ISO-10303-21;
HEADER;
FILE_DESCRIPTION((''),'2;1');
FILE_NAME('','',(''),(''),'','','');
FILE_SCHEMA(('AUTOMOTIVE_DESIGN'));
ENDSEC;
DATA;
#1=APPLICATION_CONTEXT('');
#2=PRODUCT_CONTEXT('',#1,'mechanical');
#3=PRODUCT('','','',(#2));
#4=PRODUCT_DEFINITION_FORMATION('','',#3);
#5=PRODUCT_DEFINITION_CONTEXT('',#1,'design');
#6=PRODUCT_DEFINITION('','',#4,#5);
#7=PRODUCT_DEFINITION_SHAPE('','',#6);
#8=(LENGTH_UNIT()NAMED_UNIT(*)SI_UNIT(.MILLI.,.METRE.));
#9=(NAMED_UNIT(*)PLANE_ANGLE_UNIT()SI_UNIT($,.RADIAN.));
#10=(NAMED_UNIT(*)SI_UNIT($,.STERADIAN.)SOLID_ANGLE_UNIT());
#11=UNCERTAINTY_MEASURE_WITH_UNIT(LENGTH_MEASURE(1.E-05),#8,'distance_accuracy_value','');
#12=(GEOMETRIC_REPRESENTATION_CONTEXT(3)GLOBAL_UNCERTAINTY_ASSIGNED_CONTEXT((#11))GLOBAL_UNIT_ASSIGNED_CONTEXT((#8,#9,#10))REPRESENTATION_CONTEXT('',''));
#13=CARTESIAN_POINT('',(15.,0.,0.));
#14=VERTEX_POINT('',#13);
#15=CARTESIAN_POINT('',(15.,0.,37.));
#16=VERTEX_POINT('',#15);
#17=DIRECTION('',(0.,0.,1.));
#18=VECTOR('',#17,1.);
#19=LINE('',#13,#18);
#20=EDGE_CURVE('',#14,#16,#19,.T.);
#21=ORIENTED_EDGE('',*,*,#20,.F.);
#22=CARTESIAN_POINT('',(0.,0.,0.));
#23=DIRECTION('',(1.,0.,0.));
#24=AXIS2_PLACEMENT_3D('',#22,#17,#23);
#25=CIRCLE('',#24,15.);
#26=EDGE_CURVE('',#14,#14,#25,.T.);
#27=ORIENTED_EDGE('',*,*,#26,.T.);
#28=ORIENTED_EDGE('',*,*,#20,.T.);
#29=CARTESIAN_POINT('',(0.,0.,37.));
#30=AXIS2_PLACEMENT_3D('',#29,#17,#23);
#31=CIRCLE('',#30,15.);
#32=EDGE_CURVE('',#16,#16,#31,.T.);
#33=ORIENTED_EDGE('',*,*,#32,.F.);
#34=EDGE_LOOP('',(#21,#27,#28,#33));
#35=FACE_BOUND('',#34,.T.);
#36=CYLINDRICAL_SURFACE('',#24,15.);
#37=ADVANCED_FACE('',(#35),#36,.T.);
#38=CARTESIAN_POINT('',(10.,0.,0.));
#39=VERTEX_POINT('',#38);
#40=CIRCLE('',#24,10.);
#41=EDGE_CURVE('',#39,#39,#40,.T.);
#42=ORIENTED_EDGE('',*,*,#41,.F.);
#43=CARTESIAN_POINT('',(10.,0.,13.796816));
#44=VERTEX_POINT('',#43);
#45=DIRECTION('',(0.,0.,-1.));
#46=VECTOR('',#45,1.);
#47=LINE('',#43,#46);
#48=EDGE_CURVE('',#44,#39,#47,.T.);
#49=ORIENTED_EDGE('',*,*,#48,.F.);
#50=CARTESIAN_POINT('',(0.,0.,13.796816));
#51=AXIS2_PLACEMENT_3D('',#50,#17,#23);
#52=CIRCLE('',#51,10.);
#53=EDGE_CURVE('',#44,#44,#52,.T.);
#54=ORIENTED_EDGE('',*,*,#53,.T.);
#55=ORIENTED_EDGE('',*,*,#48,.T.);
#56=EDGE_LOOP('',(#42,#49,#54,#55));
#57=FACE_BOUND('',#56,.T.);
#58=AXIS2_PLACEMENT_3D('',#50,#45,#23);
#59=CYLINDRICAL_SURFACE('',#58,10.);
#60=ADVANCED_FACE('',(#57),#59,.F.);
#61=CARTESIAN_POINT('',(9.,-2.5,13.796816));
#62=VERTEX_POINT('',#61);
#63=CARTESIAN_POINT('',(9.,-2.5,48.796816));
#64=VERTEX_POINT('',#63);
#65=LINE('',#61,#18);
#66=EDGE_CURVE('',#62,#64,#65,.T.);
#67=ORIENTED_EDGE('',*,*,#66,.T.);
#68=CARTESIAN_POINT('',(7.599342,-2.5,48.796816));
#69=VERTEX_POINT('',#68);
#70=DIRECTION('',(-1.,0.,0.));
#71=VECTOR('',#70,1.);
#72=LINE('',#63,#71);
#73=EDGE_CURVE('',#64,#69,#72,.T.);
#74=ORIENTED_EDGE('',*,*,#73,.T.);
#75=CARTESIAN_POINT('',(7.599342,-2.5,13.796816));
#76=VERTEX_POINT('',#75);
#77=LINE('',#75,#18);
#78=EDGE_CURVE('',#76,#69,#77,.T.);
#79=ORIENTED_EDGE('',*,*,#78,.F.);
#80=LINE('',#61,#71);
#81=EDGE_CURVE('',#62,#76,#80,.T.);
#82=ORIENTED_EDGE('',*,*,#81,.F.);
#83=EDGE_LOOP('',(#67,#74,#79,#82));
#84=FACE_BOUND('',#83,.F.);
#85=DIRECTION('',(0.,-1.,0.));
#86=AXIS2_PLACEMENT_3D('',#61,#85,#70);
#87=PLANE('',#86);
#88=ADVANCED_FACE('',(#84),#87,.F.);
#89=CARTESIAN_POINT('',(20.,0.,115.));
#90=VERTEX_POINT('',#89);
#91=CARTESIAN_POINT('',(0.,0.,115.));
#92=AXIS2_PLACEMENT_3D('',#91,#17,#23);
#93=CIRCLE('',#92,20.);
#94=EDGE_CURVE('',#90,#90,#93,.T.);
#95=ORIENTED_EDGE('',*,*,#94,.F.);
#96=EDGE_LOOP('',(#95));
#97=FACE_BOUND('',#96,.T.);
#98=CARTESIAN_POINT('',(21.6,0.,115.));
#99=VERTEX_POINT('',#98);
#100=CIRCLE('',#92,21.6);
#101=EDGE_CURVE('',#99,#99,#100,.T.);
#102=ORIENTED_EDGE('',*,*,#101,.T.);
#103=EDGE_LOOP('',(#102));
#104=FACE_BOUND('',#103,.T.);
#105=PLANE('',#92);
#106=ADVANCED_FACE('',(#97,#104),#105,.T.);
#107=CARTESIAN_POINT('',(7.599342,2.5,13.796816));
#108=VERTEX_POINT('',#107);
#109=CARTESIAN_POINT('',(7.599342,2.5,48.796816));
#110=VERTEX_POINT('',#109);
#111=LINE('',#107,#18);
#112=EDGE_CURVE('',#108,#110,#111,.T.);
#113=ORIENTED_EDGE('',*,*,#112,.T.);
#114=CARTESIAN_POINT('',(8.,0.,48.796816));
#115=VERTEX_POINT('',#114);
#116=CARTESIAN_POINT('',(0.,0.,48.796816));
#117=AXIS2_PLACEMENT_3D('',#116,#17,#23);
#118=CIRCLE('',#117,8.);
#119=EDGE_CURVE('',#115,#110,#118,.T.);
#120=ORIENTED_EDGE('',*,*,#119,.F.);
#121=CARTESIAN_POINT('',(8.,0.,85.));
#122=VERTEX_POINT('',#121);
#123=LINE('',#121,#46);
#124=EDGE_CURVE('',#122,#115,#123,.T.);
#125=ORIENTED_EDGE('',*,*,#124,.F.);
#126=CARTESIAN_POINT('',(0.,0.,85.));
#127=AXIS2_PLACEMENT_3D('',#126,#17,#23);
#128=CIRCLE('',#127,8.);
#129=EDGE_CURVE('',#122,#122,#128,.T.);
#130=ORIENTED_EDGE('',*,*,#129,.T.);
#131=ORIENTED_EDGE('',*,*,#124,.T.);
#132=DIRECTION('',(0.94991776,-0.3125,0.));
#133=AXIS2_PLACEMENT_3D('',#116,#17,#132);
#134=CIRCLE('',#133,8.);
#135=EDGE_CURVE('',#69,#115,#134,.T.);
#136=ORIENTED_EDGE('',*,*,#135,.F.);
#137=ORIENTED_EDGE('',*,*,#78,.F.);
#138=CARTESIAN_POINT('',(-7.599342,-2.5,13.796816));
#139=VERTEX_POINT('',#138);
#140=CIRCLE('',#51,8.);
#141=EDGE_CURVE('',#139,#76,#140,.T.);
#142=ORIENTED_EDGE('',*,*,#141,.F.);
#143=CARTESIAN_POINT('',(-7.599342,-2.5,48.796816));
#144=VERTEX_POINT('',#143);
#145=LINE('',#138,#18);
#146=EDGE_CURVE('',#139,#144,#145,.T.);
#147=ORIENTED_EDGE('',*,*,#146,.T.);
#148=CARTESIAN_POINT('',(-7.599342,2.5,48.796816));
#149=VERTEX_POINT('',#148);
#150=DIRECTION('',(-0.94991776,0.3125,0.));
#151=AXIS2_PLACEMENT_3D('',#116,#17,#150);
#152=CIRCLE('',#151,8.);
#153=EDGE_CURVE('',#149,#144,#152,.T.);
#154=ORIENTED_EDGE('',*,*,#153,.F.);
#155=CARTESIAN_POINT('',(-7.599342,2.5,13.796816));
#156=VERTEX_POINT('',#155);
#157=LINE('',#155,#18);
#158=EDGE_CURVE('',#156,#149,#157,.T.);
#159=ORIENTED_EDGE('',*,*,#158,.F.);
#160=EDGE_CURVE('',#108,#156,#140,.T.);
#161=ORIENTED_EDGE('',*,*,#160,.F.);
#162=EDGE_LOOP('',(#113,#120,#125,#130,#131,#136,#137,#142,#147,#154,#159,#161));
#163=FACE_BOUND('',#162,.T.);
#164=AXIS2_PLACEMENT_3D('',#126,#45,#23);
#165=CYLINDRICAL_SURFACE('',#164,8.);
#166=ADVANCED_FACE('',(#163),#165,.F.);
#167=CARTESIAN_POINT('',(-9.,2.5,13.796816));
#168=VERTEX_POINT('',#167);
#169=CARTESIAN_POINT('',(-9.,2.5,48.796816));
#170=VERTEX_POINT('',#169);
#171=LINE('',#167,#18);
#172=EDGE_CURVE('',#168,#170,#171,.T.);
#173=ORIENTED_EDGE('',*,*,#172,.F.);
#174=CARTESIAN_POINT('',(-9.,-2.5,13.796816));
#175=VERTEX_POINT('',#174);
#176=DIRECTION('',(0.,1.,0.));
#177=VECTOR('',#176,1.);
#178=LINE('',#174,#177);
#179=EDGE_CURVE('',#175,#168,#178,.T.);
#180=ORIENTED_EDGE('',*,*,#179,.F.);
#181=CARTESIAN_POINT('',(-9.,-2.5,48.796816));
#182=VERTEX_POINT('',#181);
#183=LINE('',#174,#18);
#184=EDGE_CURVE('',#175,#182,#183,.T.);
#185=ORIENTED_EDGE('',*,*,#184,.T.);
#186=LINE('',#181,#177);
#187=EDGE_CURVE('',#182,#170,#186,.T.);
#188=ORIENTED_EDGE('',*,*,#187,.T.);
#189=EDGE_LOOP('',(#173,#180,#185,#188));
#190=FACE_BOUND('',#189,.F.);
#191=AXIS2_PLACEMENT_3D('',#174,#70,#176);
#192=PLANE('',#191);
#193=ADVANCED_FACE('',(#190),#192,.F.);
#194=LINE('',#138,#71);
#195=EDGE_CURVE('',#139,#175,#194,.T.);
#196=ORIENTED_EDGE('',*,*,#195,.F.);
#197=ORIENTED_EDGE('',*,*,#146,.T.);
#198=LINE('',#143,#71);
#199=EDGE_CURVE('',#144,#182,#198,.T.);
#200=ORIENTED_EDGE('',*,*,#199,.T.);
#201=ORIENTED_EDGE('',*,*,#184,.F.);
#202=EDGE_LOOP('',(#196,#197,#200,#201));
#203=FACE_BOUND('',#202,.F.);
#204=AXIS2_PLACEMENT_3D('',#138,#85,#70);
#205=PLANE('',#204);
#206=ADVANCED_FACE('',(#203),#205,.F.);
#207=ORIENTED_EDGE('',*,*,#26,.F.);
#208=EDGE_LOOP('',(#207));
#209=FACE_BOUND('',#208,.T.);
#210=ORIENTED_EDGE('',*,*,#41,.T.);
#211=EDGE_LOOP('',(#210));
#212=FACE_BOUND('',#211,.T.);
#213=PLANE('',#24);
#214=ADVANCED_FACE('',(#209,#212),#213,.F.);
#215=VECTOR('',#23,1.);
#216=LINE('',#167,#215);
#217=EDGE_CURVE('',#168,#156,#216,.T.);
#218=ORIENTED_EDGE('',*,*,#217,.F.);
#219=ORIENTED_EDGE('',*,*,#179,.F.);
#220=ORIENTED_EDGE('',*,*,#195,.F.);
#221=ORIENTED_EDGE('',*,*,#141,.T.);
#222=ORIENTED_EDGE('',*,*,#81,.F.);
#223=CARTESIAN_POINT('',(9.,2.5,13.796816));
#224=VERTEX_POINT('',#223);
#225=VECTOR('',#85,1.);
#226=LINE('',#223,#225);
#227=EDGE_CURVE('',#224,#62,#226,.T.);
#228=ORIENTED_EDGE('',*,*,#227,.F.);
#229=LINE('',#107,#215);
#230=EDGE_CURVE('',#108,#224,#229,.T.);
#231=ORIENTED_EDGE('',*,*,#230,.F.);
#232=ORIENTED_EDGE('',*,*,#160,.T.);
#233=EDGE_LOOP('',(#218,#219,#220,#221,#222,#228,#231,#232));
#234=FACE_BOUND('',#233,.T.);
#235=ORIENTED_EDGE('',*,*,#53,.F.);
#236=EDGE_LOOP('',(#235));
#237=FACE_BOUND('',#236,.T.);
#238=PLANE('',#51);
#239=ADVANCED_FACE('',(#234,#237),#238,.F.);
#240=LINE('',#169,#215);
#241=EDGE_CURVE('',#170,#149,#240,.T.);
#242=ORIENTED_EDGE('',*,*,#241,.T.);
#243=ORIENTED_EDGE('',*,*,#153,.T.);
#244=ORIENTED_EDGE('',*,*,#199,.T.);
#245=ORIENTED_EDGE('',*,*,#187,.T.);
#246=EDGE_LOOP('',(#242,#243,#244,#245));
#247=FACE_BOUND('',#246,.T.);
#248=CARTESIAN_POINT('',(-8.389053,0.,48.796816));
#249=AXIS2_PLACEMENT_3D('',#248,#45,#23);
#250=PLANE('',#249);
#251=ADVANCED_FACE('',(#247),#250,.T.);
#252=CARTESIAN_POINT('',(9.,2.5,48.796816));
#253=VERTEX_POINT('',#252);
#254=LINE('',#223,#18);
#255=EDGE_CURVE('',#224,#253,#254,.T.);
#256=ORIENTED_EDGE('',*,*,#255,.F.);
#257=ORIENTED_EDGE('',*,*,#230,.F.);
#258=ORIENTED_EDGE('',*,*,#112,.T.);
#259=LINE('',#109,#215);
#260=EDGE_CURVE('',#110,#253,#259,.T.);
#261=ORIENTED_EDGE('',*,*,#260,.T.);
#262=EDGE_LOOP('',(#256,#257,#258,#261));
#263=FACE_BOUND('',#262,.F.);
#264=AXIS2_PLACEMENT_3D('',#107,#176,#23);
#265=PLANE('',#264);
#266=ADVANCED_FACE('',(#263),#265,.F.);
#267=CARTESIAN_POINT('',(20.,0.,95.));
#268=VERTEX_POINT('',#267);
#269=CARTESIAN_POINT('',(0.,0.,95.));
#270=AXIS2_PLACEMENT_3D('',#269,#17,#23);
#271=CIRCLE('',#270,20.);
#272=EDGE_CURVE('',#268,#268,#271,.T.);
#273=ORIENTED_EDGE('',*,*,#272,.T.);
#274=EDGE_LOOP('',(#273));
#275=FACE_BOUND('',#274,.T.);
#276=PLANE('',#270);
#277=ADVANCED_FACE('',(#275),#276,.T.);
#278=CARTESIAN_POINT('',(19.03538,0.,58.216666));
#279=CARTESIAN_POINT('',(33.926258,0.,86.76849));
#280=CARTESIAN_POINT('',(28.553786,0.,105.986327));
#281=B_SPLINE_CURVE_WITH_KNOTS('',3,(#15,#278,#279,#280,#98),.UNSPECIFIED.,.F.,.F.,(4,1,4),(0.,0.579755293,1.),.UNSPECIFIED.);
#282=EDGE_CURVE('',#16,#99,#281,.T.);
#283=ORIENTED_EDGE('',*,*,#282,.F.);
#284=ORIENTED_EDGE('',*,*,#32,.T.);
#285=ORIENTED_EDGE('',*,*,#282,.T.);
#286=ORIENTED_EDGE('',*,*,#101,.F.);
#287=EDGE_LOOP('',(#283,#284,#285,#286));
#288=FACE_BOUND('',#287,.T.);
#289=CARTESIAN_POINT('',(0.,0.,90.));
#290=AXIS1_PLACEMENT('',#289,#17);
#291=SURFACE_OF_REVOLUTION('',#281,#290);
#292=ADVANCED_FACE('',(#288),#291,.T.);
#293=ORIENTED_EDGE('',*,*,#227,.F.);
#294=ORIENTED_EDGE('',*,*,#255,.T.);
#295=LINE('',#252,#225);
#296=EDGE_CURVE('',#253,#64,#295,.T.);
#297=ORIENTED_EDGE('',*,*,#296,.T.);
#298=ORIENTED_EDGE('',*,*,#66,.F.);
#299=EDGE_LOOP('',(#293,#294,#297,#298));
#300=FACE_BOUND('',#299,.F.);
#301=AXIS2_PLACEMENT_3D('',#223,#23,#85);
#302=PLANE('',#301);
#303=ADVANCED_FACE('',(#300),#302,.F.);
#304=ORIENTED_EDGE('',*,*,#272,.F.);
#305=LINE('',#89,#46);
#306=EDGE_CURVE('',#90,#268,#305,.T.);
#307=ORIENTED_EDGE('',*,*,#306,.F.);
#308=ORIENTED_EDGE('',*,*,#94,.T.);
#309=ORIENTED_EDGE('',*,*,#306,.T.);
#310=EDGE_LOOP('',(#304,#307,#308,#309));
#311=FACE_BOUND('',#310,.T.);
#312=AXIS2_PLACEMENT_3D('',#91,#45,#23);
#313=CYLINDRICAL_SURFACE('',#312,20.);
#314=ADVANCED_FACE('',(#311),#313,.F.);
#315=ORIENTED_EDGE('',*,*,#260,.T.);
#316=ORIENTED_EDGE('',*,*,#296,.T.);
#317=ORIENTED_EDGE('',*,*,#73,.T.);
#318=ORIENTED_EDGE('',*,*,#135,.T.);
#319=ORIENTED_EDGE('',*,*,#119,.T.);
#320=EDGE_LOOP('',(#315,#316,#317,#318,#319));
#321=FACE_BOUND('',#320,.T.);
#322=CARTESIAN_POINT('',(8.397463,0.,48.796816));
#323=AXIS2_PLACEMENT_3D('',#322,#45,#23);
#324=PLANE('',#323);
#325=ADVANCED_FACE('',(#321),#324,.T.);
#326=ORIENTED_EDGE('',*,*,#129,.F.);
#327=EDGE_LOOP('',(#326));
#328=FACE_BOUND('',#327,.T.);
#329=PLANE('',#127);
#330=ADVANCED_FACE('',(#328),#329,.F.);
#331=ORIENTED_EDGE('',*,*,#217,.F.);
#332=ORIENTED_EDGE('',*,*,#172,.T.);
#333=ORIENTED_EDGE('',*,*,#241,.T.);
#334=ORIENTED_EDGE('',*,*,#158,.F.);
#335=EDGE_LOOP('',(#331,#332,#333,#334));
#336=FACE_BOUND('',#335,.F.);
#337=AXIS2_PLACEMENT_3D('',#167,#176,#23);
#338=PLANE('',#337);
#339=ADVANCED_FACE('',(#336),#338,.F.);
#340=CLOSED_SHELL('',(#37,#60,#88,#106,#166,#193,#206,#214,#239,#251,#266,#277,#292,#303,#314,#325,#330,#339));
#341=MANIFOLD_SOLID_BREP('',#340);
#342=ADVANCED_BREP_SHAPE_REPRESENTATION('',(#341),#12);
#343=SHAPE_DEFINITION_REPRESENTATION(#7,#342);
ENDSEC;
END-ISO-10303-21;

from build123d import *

# Parameters (mm, degrees)
F3_DEPTH = 35


with BuildPart() as f1:
    # F0 (on Front) → F1 (revolve)
    with BuildSketch(Plane.XZ):
        with BuildLine():
            Line((10, 0), (15, 0))
            Line((15, 0), (15, 37))
            add(Edge.make_bspline(
                [(15, 37), (19.0353800747, 58.2166660939), (33.9262575449, 86.7684902948), (28.5537857562, 105.9863269329), (21.6, 115)],
                knots=[0, 0, 0, 0, 0.5797552931, 1, 1, 1, 1], degree=3))
            Line((21.6, 115), (20, 115))
            Line((20, 115), (20, 95))
            Line((20, 95), (0, 95))
            Line((0, 95), (0, 85))
            Line((0, 85), (8, 85))
            Line((8, 85), (8, 13.7968156487))
            Line((8, 13.7968156487), (10, 13.7968156487))
            Line((10, 13.7968156487), (10, 0))
        make_face()
    revolve(axis=Axis((0, 0, 90), (0, 0, 1)))

    # F2 (on face) → F3 (cut)
    with BuildSketch(Plane(origin=(0, 0, 13.7968156487), x_dir=(1, 0, 0), z_dir=(0, 0, -1))):
        with BuildLine():
            Line((-7.5993420768, 2.5), (-9, 2.5))
            Line((-9, 2.5), (-9, -2.5))
            Line((-9, -2.5), (-7.5993420768, -2.5))
            ThreePointArc((-7.5993420768, -2.5), (-8, 0), (-7.5993420768, 2.5))
        make_face()
        with BuildLine():
            Line((9, 2.5), (7.5993420768, 2.5))
            ThreePointArc((7.5993420768, 2.5), (7.8992004853, 1.2659509046), (8, 0))
            ThreePointArc((8, 0), (7.8992004853, -1.2659509046), (7.5993420768, -2.5))
            Line((7.5993420768, -2.5), (9, -2.5))
            Line((9, -2.5), (9, 2.5))
        make_face()
    extrude(amount=-F3_DEPTH, mode=Mode.SUBTRACT)


solid = f1.part
